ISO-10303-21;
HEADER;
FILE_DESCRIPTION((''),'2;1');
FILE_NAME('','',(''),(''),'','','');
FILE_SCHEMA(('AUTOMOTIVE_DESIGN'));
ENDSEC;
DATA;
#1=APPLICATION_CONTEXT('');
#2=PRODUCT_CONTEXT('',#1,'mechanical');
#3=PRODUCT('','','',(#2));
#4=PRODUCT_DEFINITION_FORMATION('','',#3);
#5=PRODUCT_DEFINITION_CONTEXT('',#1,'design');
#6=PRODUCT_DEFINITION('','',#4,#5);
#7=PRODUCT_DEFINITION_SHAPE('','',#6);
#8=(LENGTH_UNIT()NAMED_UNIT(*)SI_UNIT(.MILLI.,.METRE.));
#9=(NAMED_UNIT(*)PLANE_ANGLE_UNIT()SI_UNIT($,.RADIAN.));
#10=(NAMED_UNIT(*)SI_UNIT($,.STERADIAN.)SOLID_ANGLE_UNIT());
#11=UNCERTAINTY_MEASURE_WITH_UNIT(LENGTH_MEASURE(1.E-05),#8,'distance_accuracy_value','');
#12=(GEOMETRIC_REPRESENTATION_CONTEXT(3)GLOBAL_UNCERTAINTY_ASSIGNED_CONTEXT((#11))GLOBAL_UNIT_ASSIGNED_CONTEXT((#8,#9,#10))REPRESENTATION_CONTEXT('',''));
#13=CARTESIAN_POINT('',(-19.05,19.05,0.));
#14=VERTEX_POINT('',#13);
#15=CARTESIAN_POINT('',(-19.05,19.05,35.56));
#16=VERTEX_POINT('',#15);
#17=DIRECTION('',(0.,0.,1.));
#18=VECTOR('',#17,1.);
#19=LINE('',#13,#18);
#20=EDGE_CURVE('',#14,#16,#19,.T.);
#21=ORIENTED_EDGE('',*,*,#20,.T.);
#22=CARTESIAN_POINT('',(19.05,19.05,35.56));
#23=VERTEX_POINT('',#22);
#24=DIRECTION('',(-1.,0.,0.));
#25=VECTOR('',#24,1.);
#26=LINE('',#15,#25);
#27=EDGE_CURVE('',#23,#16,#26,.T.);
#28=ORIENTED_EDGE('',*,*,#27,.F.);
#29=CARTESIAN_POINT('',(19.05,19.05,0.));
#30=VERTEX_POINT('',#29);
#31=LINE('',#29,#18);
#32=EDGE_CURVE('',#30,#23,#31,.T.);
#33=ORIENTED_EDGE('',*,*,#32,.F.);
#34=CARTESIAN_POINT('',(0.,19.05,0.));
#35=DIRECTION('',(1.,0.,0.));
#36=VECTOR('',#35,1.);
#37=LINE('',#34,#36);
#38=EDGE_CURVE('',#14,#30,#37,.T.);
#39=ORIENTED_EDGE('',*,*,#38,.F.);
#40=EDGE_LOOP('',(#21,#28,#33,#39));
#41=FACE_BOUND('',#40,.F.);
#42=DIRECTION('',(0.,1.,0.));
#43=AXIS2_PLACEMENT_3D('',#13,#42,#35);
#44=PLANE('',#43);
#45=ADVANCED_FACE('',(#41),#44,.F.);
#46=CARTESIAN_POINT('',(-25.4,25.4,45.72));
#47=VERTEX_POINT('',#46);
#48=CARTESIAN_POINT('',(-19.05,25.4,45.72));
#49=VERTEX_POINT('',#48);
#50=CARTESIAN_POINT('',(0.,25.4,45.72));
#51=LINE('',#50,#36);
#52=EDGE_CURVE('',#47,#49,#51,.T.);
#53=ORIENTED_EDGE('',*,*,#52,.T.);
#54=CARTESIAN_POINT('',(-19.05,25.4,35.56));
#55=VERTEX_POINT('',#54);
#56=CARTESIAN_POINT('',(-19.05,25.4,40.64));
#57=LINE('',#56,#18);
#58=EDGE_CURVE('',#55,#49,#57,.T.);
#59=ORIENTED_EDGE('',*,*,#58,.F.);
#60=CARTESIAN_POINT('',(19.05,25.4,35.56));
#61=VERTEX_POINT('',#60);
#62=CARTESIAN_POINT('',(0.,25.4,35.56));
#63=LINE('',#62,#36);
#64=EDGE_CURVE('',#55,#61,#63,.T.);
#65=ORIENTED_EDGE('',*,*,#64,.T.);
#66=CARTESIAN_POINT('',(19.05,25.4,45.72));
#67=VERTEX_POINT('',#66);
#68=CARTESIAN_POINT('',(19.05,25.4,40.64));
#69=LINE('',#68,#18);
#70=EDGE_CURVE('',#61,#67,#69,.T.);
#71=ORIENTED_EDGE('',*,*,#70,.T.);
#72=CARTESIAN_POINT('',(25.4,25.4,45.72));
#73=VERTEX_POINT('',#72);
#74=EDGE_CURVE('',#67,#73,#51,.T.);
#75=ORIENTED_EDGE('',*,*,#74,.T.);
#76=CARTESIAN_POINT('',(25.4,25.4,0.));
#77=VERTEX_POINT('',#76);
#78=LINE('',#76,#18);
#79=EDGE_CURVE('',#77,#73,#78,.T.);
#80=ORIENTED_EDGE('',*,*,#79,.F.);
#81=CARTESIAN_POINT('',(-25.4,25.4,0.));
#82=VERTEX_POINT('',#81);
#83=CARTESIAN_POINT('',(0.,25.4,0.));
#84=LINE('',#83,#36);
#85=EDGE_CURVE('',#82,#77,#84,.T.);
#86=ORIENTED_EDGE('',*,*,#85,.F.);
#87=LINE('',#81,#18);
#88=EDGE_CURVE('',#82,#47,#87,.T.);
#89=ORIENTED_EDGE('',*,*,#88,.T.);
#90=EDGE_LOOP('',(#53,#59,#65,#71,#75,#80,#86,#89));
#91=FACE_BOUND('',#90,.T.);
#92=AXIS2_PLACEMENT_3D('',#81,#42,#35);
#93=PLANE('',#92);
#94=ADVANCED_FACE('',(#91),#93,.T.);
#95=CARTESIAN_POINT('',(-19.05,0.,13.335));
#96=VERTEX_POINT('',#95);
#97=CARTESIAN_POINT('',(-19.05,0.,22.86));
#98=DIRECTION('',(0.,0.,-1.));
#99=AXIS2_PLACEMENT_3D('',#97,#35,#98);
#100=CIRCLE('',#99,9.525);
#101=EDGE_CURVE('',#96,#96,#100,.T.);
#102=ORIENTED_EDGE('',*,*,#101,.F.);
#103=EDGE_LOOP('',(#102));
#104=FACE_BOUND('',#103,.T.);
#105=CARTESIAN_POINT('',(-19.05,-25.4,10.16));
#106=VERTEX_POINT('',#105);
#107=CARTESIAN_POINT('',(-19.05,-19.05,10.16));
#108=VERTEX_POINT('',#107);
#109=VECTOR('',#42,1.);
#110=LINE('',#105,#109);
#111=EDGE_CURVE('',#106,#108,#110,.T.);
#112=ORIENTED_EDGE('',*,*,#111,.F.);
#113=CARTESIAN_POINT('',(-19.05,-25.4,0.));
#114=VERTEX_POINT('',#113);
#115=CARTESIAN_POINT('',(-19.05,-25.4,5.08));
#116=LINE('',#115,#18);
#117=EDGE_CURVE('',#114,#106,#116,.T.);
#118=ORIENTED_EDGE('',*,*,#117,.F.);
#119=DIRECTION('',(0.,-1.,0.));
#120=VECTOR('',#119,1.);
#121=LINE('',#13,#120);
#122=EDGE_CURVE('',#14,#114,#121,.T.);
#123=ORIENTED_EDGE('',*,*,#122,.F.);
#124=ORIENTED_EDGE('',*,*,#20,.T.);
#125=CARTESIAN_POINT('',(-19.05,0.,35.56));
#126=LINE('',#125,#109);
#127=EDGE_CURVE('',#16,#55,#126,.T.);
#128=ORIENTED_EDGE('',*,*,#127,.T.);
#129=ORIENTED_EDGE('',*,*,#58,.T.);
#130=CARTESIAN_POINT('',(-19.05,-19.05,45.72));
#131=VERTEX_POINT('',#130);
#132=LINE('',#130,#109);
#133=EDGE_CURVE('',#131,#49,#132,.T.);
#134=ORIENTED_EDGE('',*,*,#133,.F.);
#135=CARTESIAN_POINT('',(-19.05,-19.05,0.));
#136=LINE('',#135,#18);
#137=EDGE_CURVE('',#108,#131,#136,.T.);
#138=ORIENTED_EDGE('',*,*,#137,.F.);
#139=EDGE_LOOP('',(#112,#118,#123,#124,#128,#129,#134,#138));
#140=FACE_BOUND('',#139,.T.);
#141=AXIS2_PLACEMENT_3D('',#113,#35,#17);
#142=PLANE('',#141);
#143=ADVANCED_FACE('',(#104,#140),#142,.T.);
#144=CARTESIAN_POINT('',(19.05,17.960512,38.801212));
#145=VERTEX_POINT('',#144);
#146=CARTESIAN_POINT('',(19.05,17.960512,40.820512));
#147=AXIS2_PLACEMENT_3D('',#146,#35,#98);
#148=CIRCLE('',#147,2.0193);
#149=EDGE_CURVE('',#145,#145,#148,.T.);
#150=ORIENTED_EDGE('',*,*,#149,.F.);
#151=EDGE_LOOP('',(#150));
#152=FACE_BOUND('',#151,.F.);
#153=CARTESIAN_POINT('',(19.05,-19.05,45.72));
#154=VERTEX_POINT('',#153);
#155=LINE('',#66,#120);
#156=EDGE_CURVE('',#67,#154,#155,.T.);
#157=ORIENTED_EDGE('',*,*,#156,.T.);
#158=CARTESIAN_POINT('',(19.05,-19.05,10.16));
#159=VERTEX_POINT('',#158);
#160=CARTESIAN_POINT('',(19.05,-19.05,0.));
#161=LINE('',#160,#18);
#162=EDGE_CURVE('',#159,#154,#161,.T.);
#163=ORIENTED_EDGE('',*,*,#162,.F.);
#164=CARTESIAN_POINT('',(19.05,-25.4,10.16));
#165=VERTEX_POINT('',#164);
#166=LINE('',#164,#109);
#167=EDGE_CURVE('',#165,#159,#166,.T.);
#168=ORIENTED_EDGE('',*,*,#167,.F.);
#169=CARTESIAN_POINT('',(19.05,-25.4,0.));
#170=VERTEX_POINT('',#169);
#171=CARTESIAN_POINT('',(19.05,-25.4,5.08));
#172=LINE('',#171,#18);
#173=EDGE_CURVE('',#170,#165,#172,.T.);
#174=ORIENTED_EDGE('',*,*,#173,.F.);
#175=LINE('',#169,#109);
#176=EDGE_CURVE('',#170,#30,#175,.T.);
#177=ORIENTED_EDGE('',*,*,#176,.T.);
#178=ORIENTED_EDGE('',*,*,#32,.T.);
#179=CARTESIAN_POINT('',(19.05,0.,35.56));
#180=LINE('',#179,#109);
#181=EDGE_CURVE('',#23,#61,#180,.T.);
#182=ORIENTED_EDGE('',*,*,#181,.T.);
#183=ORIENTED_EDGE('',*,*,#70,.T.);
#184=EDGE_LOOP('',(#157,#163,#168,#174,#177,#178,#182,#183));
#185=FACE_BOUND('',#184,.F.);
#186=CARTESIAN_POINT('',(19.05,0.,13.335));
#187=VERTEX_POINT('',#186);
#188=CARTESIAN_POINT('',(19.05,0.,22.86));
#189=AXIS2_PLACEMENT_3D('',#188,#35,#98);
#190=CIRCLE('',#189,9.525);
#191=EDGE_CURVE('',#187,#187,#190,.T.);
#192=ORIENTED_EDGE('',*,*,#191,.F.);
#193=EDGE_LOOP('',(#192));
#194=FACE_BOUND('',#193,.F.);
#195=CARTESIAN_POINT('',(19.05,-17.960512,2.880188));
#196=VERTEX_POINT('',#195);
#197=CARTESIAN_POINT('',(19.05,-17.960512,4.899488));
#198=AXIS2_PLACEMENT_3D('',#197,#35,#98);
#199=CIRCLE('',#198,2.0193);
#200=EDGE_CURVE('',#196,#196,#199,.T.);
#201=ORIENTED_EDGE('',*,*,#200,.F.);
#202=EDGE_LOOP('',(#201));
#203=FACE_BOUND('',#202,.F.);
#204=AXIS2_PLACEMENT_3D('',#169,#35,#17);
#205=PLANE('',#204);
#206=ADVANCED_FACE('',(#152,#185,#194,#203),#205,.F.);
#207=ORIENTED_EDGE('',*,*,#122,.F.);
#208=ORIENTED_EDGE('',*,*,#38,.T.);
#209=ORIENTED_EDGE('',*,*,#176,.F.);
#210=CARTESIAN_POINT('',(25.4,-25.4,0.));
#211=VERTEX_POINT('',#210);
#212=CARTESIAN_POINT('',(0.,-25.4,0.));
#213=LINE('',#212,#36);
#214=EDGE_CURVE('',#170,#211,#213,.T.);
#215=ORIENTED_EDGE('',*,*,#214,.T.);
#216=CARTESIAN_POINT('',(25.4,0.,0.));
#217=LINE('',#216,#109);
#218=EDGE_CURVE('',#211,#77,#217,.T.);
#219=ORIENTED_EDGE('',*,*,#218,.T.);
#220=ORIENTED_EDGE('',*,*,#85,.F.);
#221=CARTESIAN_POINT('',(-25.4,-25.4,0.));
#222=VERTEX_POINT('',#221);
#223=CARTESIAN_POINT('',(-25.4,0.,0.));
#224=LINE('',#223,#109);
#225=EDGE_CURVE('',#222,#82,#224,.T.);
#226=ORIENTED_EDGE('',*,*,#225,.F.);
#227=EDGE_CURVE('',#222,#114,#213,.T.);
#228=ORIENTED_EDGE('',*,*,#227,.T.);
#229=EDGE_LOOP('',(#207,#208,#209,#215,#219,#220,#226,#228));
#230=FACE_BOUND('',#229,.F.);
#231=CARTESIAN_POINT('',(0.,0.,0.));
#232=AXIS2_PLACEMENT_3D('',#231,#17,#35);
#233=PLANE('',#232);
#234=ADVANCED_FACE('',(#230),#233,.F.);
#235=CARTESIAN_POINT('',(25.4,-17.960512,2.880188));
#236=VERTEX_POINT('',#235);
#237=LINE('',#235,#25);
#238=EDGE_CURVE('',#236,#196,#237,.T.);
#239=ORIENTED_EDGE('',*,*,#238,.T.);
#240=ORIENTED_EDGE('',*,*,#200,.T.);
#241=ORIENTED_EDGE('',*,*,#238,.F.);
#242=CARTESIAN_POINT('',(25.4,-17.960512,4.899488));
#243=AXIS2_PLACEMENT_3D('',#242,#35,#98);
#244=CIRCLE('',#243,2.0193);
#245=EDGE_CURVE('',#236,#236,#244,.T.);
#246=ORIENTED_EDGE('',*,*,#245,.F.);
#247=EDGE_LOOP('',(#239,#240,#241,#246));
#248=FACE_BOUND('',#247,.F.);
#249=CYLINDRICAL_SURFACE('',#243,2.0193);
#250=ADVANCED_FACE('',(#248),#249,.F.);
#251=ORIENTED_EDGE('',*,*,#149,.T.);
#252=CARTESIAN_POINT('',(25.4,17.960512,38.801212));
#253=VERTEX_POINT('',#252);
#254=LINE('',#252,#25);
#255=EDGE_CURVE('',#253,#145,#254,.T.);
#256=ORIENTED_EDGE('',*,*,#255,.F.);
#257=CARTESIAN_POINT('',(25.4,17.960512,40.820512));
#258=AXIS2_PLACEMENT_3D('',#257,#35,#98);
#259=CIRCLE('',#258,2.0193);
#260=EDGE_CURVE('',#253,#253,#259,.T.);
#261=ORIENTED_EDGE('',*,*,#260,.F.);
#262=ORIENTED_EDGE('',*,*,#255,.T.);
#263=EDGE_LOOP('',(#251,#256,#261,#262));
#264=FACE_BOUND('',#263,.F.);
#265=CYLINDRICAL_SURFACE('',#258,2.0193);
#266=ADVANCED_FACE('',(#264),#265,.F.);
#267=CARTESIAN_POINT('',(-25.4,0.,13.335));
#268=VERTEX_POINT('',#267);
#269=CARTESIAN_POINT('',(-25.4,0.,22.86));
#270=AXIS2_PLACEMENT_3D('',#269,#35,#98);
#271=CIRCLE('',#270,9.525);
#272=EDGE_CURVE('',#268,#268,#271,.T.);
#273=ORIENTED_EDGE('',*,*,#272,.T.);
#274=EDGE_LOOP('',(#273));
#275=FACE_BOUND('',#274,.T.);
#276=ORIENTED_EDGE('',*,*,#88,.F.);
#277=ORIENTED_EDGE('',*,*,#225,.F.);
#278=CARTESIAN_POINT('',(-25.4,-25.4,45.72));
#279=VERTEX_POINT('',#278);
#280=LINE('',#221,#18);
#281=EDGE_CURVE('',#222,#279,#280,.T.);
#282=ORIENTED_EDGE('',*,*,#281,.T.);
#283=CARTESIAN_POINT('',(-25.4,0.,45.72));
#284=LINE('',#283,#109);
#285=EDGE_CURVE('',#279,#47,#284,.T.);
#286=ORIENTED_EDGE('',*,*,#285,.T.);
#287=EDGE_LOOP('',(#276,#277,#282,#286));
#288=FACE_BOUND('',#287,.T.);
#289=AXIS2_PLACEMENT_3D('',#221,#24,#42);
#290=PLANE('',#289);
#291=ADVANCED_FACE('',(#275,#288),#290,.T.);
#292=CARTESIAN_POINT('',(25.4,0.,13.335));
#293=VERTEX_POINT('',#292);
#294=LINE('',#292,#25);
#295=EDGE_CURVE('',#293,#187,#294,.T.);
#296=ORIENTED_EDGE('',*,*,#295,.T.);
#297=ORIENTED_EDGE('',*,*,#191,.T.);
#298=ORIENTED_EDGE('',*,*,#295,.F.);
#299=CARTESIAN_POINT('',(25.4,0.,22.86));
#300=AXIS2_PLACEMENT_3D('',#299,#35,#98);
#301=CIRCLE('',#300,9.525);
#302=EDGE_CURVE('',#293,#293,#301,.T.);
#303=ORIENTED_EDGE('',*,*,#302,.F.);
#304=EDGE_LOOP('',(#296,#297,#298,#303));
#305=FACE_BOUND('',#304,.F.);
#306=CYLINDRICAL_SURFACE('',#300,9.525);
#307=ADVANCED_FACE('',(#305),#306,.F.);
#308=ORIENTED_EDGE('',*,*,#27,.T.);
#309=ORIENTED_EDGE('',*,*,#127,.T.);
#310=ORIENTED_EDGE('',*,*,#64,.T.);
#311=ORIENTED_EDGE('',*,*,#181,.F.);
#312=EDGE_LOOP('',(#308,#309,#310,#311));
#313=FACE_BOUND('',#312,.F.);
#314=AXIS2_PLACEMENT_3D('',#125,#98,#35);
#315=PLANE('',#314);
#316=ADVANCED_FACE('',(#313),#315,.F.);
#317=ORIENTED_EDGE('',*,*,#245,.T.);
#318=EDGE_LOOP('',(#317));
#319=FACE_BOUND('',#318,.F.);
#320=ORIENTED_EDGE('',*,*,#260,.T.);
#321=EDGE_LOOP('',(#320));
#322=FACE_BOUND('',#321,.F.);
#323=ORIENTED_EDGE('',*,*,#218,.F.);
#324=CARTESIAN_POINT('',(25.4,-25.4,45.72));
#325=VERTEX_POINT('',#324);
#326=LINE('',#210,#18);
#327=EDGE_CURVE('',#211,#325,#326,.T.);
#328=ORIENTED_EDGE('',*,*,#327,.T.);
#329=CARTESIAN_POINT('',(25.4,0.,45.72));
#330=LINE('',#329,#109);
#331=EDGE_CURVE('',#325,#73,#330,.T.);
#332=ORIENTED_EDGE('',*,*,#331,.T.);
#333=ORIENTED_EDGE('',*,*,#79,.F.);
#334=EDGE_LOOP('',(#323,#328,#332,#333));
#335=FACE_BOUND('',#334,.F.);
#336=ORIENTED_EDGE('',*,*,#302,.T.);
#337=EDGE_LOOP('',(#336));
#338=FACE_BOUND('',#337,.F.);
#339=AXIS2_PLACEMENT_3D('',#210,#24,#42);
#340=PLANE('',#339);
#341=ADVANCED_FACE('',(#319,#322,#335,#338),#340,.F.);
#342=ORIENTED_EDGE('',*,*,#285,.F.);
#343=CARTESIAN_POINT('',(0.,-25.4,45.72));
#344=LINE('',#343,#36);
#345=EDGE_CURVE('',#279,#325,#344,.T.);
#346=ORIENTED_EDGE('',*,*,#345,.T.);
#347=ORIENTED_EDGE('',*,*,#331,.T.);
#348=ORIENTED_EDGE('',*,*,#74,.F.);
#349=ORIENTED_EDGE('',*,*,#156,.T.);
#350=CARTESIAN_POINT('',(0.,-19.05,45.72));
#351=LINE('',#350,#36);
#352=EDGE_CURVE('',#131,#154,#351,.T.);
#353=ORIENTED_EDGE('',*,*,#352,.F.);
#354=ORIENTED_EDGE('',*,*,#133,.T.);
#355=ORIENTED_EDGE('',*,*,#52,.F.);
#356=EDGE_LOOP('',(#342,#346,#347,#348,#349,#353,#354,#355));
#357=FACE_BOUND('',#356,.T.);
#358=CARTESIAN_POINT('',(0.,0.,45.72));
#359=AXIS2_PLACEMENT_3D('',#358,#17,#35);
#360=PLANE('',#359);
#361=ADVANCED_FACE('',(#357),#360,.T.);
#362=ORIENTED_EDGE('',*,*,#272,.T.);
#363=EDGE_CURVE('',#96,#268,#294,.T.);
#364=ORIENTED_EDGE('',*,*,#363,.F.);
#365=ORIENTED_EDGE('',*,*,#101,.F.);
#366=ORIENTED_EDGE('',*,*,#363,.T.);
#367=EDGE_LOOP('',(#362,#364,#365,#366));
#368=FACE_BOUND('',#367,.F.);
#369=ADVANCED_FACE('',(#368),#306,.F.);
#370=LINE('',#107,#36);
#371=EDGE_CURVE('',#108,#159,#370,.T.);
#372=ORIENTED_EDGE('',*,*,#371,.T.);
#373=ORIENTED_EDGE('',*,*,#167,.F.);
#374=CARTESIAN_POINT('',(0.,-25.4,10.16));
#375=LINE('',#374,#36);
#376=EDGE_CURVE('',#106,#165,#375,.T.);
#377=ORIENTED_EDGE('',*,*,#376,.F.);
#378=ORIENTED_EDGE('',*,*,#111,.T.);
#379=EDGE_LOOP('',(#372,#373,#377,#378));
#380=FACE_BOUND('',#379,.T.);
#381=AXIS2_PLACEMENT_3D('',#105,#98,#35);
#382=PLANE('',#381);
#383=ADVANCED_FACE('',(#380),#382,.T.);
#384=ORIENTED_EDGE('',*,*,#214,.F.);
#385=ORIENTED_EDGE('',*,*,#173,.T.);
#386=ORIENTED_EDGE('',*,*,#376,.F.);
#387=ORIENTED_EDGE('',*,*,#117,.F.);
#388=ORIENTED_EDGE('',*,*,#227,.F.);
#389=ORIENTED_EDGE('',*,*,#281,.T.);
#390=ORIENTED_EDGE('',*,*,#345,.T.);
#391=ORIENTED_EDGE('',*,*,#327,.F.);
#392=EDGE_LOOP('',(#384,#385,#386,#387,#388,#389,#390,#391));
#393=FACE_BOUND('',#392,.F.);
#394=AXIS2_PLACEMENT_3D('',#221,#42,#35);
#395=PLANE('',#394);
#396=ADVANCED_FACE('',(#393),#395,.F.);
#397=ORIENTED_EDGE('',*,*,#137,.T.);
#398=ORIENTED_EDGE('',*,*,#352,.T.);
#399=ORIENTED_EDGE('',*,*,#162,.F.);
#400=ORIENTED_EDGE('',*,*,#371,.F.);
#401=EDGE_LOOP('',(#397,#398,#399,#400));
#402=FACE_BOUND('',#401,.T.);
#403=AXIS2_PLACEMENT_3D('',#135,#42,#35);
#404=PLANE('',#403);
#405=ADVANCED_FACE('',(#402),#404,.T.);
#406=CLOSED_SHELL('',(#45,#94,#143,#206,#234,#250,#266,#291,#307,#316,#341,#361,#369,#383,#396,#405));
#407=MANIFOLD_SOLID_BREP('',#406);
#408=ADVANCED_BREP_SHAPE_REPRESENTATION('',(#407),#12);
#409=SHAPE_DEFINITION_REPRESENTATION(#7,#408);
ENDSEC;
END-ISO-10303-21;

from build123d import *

# Parameters (mm, degrees)
SKETCH1_W                      = 50.8
SKETCH1_H                      = 50.8
SKETCH1_W_2                    = 38.1
SKETCH1_H_2                    = 38.1
EXTRUDE_THIN1_DEPTH            = 45.72
SKETCH2_R                      = 2.0193
CUT_EXTRUDE2_DEPTH             = 1
CUT_EXTRUDE2_DEPTH_BACK        = 6.35
SKETCH4_R                      = 9.525
CUT_EXTRUDE3_DEPTH             = 1
CUT_EXTRUDE3_DEPTH_BACK        = 51.8
CUT_EXTRUDE4_REACH             = 52.8
SKETCH5_W                      = 38.1
SKETCH5_H                      = 10.16
CUT_EXTRUDE4_DIRECTION_2_DEPTH = 1
CUT_EXTRUDE5_START             = -25.4
SKETCH5_3_W                    = 38.1
SKETCH5_3_H                    = 10.16
CUT_EXTRUDE5_DEPTH             = 25.4


with BuildPart() as part:
    # Sketch1 → Extrude-Thin1 (new body)
    with BuildSketch(Plane.XY):
        Rectangle(SKETCH1_W, SKETCH1_H)
        Rectangle(SKETCH1_W_2, SKETCH1_H_2, mode=Mode.SUBTRACT)
    extrude(amount=EXTRUDE_THIN1_DEPTH)

    # Sketch2 → Cut-Extrude2 (cut, two sides)
    with BuildSketch(Plane(origin=(25.4, 0, 0), x_dir=(0, 0, -1), z_dir=(1, 0, 0))) as cut_extrude2_sk:
        with Locations((-40.820512212, 17.96051224)):
            Circle(SKETCH2_R)
        with Locations((-4.899487788, -17.96051224)):
            Circle(SKETCH2_R)
    extrude(amount=CUT_EXTRUDE2_DEPTH, mode=Mode.SUBTRACT)
    extrude(cut_extrude2_sk.sketch, amount=-CUT_EXTRUDE2_DEPTH_BACK, mode=Mode.SUBTRACT)

    # Sketch4 → Cut-Extrude3 (cut, two sides)
    with BuildSketch(Plane(origin=(25.4, 0, 0), x_dir=(0, 0, -1), z_dir=(1, 0, 0))) as cut_extrude3_sk:
        with Locations((-22.86, 0)):
            Circle(SKETCH4_R)
    extrude(amount=CUT_EXTRUDE3_DEPTH, mode=Mode.SUBTRACT)
    extrude(cut_extrude3_sk.sketch, amount=-CUT_EXTRUDE3_DEPTH_BACK, mode=Mode.SUBTRACT)

    # Sketch5 → Cut-Extrude4 (cut, up to next)
    with BuildSketch(Plane.XZ.offset(25.4), mode=Mode.PRIVATE) as cut_extrude4_sk1:
        with Locations((0, 5.08)):
            Rectangle(SKETCH5_W, SKETCH5_H)
    cut_extrude4_tool1 = extrude(cut_extrude4_sk1.sketch, amount=-CUT_EXTRUDE4_REACH, mode=Mode.PRIVATE) & part.part
    add(cut_extrude4_tool1.solids().sort_by_distance((0, -25.4, 5.08))[0], mode=Mode.SUBTRACT)

    # Sketch5 → Cut-Extrude4 direction 2 (cut)
    with BuildSketch(Plane.XZ.offset(25.4)):
        with Locations((0, 5.08)):
            Rectangle(SKETCH5_W, SKETCH5_H)
    extrude(amount=CUT_EXTRUDE4_DIRECTION_2_DEPTH, mode=Mode.SUBTRACT)

    # Sketch5<3> → Cut-Extrude5 (cut)
    with BuildSketch(Plane.XZ.offset(25.4).offset(CUT_EXTRUDE5_START)):
        with Locations((0, 40.64)):
            Rectangle(SKETCH5_3_W, SKETCH5_3_H)
    extrude(amount=-CUT_EXTRUDE5_DEPTH, mode=Mode.SUBTRACT)


solid = part.part
